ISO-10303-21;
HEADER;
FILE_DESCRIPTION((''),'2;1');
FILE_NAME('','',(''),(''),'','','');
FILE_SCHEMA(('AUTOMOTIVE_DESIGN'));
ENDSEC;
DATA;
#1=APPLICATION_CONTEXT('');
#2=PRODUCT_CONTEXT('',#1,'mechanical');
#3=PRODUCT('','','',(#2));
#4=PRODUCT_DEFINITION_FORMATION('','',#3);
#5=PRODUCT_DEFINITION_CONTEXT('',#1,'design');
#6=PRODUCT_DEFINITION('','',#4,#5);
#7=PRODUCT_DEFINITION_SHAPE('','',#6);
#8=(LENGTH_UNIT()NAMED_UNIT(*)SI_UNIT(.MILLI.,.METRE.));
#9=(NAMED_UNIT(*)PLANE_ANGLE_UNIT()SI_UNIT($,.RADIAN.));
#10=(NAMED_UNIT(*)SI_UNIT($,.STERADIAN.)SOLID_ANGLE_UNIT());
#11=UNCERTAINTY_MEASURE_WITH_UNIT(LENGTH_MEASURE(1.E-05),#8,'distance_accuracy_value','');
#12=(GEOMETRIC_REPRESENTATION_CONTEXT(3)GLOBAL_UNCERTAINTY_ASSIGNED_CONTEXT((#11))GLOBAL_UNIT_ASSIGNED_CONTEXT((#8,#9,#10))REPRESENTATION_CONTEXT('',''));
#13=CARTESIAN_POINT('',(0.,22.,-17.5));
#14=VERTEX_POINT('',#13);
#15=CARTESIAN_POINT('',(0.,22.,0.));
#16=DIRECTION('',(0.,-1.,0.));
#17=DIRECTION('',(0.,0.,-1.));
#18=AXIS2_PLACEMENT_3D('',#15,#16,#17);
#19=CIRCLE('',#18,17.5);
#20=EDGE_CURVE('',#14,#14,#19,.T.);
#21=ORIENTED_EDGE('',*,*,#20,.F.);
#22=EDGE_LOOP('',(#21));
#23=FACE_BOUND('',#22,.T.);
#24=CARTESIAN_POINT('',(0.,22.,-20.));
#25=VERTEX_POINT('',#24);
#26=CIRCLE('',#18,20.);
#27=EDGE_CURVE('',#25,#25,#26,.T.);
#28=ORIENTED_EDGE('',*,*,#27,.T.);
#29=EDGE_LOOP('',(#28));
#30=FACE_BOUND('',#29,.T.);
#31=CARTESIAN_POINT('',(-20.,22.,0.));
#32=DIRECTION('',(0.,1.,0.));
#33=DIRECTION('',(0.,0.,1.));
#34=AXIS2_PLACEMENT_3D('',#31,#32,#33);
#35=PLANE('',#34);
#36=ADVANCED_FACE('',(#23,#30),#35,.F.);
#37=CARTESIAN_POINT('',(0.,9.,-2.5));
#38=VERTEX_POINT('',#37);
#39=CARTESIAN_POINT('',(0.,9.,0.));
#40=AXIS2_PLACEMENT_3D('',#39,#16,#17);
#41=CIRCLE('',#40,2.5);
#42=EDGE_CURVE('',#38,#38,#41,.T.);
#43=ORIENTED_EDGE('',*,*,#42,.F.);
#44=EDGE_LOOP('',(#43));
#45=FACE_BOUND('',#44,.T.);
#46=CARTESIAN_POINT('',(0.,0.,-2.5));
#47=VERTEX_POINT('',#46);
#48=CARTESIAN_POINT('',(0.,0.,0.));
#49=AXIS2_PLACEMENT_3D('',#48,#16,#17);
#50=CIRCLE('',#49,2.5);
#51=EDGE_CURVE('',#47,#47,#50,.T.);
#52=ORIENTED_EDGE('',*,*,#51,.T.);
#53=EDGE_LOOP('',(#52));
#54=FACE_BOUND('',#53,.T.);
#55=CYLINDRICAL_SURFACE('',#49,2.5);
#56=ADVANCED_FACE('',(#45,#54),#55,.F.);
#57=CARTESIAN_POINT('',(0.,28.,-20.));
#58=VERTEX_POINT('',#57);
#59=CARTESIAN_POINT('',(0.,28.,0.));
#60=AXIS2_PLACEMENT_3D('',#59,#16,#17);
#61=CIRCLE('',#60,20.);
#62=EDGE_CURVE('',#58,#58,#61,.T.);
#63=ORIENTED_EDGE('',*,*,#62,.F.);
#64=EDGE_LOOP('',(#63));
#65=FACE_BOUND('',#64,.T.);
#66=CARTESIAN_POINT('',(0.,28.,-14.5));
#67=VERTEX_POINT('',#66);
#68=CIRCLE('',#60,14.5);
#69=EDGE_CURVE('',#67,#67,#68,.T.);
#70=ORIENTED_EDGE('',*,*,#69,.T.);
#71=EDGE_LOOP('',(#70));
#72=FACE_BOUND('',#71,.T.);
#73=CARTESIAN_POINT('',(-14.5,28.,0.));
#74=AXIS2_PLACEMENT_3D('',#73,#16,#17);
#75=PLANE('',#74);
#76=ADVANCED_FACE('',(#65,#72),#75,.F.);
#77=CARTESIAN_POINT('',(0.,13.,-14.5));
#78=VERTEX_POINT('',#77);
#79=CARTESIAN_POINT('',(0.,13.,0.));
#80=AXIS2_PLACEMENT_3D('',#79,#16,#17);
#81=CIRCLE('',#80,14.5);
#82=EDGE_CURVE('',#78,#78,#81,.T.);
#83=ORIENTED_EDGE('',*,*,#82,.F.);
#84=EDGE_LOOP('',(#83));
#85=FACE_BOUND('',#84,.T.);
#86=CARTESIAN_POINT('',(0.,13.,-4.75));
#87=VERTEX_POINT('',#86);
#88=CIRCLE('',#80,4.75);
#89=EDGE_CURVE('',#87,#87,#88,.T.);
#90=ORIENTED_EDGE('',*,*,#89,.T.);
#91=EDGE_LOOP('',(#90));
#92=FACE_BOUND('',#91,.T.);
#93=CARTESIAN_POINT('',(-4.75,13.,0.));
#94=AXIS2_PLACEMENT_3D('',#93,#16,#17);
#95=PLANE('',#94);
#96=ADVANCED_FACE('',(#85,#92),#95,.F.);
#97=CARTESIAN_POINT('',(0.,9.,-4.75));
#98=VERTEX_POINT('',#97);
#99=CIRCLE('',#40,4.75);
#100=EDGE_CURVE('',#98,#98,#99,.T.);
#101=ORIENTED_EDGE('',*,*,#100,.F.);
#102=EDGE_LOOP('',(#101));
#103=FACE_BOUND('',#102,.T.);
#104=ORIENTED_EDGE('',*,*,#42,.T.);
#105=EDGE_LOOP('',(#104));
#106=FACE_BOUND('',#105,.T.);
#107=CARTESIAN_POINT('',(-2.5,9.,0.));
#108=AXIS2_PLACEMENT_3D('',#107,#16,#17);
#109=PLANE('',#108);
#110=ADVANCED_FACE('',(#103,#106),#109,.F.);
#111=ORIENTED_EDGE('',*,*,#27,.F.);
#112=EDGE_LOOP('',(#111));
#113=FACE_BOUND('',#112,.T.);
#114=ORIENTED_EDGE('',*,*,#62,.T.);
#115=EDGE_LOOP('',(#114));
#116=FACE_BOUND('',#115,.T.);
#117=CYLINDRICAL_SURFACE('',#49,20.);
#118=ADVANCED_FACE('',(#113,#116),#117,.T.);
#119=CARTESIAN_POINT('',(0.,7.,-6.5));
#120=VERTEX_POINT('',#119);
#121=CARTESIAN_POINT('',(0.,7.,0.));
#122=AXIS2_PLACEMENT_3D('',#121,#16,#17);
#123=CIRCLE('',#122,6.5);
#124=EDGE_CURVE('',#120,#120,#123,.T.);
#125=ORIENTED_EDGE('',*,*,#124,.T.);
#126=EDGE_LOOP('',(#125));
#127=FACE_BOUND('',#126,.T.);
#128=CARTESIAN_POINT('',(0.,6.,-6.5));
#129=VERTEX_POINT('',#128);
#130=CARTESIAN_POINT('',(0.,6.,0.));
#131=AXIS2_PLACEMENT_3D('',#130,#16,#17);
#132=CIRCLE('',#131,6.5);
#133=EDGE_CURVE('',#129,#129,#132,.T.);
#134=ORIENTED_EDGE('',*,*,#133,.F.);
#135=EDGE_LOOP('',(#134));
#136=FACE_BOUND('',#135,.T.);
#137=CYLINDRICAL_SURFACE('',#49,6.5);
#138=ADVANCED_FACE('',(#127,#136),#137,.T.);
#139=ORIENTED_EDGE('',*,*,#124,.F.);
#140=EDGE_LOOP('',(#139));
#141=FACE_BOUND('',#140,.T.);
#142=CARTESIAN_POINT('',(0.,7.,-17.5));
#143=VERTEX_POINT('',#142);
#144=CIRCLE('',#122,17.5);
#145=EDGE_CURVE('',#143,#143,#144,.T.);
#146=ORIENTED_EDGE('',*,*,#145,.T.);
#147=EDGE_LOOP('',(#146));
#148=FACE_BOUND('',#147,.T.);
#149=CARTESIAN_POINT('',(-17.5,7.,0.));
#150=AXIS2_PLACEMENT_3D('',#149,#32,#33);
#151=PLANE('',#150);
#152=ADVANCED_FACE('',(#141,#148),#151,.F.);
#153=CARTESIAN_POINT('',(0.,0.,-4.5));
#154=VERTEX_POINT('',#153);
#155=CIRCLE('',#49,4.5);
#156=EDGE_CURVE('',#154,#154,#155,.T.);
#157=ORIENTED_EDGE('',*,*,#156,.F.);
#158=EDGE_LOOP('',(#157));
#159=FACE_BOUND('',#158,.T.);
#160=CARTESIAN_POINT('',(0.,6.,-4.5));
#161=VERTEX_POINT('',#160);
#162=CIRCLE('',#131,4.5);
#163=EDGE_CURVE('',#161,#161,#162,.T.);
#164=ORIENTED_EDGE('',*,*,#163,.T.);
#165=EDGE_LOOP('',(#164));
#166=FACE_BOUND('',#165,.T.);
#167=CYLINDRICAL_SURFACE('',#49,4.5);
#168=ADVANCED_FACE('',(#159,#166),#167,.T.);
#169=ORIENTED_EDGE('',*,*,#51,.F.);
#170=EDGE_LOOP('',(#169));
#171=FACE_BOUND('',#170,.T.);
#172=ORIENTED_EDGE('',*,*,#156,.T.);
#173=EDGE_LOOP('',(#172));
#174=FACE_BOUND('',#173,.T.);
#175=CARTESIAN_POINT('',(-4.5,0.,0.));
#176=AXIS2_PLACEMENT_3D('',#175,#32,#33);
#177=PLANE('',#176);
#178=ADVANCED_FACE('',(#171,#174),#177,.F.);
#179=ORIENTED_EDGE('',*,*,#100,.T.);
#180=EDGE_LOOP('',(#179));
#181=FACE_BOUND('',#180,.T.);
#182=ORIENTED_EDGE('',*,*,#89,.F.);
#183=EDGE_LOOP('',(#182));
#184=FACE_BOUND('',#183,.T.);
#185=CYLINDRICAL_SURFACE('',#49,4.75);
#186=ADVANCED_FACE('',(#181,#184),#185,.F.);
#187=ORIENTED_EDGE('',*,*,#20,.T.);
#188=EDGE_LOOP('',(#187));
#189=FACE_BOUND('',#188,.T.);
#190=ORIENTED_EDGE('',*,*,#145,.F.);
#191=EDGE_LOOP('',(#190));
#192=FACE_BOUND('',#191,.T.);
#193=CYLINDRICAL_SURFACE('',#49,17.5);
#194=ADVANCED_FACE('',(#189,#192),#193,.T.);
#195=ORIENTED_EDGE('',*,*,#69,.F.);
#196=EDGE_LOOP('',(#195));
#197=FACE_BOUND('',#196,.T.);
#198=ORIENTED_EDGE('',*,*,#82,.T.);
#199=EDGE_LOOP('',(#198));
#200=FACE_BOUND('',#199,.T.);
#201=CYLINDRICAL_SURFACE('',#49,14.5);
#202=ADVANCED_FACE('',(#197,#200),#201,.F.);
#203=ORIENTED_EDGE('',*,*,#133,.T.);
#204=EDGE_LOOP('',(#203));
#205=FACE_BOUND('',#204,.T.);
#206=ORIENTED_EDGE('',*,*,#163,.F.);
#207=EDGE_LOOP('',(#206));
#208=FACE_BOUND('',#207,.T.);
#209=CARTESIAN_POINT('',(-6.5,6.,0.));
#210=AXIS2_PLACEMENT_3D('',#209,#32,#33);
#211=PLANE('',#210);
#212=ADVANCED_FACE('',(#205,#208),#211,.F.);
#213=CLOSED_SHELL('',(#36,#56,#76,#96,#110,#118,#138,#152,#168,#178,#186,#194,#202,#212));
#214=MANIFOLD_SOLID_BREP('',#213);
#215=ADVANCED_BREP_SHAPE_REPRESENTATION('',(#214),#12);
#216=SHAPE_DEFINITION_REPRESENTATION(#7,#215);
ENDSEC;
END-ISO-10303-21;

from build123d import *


with BuildPart() as part:
    # 草图1 → 旋转1 (revolve)
    with BuildSketch(Plane.XY, mode=Mode.PRIVATE) as revolve_1_sk:
        Polygon((-2.5, 0), (-2.5, 9), (-4.75, 9), (-4.75, 13), (-14.5, 13), (-14.5, 28), (-20, 28), (-20, 22), (-17.5, 22), (-17.5, 7), (-6.5, 7), (-6.5, 6), (-4.5, 6), (-4.5, 0), align=None)
    revolve(revolve_1_sk.sketch.rotate(Axis((0, 0, 0), (0, 1, 0)), 270), axis=Axis((0, 0, 0), (0, 1, 0)))


solid = part.part
